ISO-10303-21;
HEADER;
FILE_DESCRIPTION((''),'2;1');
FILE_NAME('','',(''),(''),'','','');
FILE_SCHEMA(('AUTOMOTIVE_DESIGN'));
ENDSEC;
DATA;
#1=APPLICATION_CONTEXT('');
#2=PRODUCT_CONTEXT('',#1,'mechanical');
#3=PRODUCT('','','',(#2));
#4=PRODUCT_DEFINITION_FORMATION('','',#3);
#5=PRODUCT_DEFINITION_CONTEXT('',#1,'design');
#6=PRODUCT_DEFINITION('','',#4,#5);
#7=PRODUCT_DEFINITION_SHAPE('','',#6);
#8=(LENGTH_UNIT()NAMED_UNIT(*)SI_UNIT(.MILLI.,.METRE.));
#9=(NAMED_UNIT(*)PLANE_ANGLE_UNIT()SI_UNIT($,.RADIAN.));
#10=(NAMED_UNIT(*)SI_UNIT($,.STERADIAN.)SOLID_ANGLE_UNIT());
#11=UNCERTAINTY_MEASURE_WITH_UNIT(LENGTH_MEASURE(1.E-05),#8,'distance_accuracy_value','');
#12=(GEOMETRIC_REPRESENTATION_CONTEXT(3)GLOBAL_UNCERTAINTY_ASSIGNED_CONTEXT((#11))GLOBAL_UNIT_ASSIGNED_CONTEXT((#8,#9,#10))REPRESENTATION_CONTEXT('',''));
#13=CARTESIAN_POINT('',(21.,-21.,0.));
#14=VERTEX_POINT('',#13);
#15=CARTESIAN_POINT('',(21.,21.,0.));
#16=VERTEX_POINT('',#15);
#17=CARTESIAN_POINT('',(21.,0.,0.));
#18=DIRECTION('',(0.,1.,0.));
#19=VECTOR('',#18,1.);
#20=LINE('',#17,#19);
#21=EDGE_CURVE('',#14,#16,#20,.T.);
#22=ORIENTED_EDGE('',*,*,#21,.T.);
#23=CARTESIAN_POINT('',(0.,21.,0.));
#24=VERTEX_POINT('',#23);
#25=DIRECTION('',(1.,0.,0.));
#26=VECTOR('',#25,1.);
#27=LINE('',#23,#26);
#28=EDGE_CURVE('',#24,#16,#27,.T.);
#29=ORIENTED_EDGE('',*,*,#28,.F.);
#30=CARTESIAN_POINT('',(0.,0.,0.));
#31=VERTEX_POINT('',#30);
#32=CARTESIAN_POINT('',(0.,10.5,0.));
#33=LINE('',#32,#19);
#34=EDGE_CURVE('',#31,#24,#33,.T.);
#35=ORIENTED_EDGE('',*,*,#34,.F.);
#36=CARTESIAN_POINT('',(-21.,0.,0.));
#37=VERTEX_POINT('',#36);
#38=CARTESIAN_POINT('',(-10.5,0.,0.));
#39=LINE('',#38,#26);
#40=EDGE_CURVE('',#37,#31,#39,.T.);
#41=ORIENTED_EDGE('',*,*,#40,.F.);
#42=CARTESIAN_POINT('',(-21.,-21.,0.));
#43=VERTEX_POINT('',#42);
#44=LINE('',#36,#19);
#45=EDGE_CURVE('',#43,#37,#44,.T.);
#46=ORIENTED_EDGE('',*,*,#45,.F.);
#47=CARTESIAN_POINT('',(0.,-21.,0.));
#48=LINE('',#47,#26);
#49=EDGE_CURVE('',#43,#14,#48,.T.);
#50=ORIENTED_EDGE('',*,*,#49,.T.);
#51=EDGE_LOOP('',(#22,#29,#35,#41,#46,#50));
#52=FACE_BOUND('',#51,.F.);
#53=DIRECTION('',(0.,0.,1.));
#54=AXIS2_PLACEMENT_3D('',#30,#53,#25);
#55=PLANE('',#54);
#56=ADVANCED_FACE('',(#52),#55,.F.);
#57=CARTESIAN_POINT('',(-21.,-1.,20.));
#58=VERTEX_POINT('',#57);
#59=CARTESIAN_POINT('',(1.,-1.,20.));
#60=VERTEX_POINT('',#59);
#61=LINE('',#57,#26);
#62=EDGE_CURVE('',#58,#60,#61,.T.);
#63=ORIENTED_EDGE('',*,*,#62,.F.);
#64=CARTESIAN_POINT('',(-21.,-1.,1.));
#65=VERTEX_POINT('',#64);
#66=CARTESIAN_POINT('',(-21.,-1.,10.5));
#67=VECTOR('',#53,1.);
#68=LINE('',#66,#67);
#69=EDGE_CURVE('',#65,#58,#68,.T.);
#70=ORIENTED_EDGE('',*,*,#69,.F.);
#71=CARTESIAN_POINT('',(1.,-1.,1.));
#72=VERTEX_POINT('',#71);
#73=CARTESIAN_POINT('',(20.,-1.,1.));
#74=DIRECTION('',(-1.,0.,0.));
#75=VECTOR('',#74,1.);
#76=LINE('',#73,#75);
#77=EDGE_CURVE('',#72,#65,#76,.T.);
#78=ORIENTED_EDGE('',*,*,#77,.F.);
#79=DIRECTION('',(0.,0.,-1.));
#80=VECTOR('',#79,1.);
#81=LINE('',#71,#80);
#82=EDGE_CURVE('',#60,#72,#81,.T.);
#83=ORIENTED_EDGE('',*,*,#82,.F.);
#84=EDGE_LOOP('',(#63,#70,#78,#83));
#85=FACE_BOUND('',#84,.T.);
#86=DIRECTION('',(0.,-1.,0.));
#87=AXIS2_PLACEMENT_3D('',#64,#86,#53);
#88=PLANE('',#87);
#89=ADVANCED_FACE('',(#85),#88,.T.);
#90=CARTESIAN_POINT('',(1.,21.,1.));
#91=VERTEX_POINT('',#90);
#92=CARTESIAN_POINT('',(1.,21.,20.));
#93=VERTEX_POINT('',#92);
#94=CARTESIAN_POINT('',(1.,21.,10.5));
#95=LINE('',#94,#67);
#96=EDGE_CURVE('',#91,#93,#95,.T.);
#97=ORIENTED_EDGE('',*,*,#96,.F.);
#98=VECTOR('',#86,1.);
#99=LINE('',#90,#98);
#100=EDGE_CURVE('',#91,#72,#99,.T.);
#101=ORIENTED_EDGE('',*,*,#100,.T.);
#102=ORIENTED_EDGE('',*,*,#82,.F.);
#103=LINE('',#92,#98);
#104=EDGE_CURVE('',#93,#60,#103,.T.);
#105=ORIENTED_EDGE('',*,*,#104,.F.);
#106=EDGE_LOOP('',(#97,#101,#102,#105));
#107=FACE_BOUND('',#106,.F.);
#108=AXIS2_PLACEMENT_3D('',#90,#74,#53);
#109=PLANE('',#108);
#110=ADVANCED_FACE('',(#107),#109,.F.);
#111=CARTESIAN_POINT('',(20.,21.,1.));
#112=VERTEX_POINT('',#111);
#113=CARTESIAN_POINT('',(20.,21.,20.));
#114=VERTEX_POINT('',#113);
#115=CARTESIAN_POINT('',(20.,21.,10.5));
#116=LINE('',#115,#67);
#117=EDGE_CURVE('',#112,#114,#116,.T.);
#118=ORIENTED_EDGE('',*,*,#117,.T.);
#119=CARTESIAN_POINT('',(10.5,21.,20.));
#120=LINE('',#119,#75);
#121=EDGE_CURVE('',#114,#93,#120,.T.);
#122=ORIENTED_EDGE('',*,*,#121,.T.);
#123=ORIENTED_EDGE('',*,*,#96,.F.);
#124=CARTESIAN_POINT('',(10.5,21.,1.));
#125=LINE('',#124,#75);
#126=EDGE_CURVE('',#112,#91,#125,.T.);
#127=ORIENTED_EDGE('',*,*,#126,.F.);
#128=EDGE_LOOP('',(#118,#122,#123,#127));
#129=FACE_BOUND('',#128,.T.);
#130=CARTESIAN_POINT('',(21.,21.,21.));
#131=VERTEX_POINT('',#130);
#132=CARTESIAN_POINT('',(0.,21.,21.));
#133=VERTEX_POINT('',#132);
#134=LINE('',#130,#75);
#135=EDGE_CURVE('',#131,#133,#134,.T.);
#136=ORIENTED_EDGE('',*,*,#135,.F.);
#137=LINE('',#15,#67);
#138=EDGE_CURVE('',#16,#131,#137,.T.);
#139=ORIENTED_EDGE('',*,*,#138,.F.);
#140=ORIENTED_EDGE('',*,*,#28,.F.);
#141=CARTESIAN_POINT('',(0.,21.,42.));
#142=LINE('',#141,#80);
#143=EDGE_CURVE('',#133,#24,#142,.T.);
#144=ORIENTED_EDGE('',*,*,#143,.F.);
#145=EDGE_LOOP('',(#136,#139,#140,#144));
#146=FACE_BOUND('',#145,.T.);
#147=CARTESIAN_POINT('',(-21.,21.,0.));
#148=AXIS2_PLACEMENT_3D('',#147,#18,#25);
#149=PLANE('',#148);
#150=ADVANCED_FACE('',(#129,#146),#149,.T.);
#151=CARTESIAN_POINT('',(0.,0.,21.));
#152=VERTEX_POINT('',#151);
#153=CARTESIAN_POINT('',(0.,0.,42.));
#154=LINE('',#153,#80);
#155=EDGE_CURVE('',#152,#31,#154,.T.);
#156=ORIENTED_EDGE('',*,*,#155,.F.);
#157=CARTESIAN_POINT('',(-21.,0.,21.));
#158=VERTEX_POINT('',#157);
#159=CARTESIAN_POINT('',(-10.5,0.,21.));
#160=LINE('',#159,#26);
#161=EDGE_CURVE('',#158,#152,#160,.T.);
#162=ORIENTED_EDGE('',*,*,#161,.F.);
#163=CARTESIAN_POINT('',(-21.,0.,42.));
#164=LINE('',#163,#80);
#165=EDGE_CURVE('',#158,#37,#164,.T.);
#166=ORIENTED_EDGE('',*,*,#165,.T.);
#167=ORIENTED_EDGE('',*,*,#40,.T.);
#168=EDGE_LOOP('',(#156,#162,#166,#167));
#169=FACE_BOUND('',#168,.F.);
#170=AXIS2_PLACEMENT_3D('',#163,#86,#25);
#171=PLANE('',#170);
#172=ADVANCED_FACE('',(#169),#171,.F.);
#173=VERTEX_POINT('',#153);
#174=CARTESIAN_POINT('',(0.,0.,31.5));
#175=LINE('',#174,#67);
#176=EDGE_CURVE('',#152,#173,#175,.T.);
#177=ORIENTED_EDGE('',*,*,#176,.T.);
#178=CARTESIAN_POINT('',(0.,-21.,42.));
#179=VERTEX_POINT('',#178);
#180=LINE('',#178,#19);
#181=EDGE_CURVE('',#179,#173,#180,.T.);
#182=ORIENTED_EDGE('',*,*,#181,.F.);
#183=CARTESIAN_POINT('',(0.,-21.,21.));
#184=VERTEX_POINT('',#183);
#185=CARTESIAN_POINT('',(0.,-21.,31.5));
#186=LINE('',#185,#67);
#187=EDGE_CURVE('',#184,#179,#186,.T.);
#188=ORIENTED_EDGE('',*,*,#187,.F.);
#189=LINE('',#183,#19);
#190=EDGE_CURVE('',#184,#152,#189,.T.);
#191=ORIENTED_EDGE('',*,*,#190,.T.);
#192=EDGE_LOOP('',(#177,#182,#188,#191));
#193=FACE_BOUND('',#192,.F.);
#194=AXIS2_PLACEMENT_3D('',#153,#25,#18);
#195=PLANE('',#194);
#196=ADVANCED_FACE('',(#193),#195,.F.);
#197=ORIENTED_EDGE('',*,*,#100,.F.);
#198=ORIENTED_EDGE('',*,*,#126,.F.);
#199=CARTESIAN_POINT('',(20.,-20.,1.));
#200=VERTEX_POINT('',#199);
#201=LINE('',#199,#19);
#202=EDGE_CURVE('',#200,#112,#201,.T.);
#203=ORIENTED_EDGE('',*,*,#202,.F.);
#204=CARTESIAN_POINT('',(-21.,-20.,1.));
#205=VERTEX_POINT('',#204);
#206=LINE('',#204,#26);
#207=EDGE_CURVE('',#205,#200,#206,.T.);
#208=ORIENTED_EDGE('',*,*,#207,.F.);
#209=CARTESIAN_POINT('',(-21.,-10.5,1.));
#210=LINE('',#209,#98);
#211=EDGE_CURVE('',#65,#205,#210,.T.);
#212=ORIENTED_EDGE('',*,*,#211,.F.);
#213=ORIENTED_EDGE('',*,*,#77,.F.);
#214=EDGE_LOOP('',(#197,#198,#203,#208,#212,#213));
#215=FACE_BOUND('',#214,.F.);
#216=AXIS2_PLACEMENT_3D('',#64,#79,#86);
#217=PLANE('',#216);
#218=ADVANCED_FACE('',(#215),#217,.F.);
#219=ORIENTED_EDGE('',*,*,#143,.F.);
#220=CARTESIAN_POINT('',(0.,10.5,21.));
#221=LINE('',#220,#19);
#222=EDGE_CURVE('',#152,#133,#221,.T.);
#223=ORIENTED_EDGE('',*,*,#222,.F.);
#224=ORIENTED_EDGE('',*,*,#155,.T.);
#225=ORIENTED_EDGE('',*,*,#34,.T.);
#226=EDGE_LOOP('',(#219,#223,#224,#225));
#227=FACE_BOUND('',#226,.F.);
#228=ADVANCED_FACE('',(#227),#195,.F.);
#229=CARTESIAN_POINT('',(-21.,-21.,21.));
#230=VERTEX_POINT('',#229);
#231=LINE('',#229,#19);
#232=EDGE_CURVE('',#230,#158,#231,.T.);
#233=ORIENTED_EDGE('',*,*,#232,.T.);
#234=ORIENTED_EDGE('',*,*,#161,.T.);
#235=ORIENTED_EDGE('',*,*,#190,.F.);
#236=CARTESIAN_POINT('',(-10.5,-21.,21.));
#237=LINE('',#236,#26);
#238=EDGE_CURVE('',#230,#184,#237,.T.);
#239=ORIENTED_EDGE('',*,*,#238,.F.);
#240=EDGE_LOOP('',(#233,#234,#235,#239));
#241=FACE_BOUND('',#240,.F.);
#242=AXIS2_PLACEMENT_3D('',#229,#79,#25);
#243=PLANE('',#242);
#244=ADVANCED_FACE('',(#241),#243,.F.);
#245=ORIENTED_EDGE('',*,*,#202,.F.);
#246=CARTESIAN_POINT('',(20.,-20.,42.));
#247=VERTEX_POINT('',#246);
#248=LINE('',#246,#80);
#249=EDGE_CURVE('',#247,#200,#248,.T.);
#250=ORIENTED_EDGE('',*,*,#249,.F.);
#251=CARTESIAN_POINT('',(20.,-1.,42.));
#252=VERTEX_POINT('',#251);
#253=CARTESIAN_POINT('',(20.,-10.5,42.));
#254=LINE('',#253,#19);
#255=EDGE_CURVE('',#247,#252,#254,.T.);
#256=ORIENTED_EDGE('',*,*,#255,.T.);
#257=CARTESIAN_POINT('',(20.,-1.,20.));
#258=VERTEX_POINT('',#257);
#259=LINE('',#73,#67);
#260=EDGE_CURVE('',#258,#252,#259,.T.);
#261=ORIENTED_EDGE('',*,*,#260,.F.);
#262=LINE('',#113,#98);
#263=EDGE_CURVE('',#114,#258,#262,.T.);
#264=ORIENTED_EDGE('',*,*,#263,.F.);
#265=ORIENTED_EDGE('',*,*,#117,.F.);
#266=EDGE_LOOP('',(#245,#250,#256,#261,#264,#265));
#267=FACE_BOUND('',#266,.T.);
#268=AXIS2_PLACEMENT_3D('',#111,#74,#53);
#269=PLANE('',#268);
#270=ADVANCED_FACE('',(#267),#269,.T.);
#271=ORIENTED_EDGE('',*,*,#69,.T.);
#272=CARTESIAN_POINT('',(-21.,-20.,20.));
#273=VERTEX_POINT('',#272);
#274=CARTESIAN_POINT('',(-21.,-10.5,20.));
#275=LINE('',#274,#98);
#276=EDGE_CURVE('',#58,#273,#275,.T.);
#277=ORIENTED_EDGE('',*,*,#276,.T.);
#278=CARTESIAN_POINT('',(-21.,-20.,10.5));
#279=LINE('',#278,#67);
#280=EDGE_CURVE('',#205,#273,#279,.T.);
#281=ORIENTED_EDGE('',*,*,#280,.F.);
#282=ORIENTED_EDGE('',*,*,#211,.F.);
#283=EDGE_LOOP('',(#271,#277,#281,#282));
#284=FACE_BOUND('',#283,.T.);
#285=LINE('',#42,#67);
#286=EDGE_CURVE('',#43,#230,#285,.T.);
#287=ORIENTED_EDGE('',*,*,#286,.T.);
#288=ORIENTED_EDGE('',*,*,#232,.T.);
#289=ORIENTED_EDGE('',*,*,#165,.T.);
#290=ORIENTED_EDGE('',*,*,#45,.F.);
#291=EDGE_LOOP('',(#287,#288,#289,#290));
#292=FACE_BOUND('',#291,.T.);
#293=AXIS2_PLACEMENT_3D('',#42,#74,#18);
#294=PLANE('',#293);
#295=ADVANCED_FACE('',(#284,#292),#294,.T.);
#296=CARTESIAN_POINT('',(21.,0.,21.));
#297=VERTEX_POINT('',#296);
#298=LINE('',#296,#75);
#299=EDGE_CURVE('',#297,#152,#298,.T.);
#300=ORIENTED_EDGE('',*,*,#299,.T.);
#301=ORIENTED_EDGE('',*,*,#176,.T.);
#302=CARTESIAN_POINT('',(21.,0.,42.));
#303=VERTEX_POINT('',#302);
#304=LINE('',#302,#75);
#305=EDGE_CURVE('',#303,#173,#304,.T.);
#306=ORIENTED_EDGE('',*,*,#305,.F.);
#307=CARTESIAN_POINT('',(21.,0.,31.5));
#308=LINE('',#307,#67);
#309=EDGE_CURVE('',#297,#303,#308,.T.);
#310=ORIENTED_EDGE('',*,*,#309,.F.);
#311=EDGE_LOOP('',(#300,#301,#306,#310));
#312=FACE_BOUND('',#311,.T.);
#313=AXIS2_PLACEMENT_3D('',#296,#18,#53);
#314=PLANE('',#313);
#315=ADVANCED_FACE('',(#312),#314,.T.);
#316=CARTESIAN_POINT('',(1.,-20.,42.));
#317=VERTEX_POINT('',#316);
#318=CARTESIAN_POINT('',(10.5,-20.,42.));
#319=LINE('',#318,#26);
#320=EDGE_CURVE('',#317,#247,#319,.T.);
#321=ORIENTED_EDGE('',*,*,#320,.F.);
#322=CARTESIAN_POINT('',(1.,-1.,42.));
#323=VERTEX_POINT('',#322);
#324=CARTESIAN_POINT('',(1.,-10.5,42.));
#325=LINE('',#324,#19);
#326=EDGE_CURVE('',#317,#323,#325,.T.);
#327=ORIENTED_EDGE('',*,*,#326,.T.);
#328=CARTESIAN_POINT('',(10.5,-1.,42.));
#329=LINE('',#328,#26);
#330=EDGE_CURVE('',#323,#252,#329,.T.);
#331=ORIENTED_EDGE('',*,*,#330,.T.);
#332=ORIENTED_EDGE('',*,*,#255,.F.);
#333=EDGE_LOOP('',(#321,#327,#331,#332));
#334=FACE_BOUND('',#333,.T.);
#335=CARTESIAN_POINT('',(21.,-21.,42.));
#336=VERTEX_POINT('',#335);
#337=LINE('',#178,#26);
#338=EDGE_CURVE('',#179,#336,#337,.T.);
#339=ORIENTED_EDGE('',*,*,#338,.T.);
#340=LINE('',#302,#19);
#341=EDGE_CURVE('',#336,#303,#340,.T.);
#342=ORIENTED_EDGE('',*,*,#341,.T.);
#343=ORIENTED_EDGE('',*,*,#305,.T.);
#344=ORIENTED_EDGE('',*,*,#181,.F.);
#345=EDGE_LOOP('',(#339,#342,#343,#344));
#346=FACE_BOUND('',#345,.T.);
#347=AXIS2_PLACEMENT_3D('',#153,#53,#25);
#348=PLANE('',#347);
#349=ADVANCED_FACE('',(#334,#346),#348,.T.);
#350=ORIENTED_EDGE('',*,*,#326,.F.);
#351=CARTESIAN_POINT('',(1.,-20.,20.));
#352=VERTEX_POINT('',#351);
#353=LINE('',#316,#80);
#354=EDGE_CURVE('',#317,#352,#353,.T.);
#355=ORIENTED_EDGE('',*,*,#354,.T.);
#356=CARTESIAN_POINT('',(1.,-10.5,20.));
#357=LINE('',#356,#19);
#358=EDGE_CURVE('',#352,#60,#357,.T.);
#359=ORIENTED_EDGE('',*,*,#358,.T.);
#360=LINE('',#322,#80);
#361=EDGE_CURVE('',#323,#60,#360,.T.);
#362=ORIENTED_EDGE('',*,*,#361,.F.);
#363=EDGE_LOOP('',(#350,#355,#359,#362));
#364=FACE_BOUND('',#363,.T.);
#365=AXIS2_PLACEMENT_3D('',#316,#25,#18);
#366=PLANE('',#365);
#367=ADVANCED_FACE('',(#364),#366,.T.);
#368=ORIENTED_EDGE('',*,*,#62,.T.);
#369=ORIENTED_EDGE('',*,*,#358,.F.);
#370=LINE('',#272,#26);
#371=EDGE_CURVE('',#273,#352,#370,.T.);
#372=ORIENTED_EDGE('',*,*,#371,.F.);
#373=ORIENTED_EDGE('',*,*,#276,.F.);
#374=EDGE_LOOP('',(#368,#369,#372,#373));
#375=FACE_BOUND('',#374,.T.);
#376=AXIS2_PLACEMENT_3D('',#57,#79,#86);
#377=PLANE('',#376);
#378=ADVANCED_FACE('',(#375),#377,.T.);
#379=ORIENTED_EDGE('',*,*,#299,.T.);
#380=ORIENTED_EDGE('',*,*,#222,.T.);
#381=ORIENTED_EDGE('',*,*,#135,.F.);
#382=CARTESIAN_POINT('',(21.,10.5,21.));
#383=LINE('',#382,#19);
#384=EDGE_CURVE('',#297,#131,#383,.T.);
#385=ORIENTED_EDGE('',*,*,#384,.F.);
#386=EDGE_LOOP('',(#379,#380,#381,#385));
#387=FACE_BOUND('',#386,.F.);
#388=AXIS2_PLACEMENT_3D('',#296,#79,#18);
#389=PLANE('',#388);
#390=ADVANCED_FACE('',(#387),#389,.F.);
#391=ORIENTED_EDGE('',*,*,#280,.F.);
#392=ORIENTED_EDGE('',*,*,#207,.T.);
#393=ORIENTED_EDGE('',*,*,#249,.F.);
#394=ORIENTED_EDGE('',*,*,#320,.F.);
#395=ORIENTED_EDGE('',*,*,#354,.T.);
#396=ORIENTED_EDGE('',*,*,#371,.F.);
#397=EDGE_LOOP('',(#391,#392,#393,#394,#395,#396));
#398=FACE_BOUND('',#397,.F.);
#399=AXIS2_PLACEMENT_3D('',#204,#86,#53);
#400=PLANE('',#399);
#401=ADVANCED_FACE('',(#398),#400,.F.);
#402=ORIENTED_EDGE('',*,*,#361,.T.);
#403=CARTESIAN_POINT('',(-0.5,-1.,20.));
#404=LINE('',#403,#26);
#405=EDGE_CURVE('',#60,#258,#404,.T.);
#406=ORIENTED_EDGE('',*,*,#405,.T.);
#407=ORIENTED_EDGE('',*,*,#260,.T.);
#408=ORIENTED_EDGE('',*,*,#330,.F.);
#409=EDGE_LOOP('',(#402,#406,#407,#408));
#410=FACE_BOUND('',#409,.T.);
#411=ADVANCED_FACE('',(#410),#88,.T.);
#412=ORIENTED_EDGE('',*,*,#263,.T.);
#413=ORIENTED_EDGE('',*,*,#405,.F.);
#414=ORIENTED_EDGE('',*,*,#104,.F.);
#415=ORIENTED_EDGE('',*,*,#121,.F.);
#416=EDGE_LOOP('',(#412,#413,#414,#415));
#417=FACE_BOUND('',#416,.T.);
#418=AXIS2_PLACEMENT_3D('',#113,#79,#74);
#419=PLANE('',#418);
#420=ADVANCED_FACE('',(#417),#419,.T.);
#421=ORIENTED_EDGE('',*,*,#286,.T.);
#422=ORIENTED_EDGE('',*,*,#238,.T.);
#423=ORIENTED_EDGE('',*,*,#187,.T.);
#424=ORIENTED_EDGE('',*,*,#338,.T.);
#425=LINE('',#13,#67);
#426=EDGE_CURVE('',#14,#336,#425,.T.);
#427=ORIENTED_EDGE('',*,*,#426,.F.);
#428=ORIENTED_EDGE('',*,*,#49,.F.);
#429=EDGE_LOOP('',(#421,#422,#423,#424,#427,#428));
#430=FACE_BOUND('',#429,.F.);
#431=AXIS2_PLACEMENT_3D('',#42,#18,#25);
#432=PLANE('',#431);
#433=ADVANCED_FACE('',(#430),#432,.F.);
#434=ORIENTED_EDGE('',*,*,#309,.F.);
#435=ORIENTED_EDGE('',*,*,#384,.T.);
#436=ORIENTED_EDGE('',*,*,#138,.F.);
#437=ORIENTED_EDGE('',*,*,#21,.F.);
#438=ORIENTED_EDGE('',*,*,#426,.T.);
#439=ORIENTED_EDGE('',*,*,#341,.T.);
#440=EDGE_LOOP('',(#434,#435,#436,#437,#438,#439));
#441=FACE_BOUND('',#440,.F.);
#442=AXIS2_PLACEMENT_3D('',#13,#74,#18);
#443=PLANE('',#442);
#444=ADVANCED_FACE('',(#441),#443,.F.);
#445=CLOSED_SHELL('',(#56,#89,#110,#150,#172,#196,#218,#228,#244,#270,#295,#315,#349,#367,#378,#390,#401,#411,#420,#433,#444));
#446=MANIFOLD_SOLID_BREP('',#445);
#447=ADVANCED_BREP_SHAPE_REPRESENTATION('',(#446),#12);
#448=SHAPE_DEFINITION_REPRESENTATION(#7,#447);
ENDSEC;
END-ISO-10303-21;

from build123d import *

# Parameters (mm, degrees)
F0_W      = 42
F0_H      = 42
F1_DEPTH  = 42
F2_W      = 21
F2_H      = 21
F3_DEPTH  = 42
F4_W      = 21
F4_H      = 21
F5_DEPTH  = 21
F6_W      = 21
F6_H      = 21
F7_DEPTH  = 21
F8_W      = 19
F8_H      = 19
F9_DEPTH  = 41
F10_W     = 19
F10_H     = 19
F11_DEPTH = 41
F12_W     = 19
F12_H     = 19
F13_DEPTH = 41


with BuildPart() as f1:
    # F0 (on Top) → F1 (new body)
    with BuildSketch(Plane.XY):
        Rectangle(F0_W, F0_H)
    extrude(amount=F1_DEPTH)

    # F2 (on face) → F3 (cut, through all)
    with BuildSketch(Plane.XY.offset(42)):
        with Locations((-10.5, 10.5)):
            Rectangle(F2_W, F2_H)
    extrude(amount=-F3_DEPTH, mode=Mode.SUBTRACT)

    # F4 (on face) → F5 (cut, through all)
    with BuildSketch(Plane.XZ.offset(21)):
        with Locations((-10.5, 31.5)):
            Rectangle(F4_W, F4_H)
    extrude(amount=-F5_DEPTH, mode=Mode.SUBTRACT)

    # F6 (on face) → F7 (cut, through all)
    with BuildSketch(Plane.YZ.offset(21)):
        with Locations((10.5, 31.5)):
            Rectangle(F6_W, F6_H)
    extrude(amount=-F7_DEPTH, mode=Mode.SUBTRACT)

    # F8 (on face) → F9 (cut)
    with BuildSketch(Plane.XY.offset(42)):
        with Locations((10.5, -10.5)):
            Rectangle(F8_W, F8_H)
    extrude(amount=-F9_DEPTH, mode=Mode.SUBTRACT)

    # F10 (on face) → F11 (cut)
    with BuildSketch(Plane(origin=(-21, 0, 0), x_dir=(0, -1, 0), z_dir=(-1, 0, 0))):
        with Locations((10.5, 10.5)):
            Rectangle(F10_W, F10_H)
    extrude(amount=-F11_DEPTH, mode=Mode.SUBTRACT)

    # F12 (on face) → F13 (cut)
    with BuildSketch(Plane(origin=(0, 21, 0), x_dir=(-1, 0, 0), z_dir=(0, 1, 0))):
        with Locations((-10.5, 10.5)):
            Rectangle(F12_W, F12_H)
    extrude(amount=-F13_DEPTH, mode=Mode.SUBTRACT)


solid = f1.part
